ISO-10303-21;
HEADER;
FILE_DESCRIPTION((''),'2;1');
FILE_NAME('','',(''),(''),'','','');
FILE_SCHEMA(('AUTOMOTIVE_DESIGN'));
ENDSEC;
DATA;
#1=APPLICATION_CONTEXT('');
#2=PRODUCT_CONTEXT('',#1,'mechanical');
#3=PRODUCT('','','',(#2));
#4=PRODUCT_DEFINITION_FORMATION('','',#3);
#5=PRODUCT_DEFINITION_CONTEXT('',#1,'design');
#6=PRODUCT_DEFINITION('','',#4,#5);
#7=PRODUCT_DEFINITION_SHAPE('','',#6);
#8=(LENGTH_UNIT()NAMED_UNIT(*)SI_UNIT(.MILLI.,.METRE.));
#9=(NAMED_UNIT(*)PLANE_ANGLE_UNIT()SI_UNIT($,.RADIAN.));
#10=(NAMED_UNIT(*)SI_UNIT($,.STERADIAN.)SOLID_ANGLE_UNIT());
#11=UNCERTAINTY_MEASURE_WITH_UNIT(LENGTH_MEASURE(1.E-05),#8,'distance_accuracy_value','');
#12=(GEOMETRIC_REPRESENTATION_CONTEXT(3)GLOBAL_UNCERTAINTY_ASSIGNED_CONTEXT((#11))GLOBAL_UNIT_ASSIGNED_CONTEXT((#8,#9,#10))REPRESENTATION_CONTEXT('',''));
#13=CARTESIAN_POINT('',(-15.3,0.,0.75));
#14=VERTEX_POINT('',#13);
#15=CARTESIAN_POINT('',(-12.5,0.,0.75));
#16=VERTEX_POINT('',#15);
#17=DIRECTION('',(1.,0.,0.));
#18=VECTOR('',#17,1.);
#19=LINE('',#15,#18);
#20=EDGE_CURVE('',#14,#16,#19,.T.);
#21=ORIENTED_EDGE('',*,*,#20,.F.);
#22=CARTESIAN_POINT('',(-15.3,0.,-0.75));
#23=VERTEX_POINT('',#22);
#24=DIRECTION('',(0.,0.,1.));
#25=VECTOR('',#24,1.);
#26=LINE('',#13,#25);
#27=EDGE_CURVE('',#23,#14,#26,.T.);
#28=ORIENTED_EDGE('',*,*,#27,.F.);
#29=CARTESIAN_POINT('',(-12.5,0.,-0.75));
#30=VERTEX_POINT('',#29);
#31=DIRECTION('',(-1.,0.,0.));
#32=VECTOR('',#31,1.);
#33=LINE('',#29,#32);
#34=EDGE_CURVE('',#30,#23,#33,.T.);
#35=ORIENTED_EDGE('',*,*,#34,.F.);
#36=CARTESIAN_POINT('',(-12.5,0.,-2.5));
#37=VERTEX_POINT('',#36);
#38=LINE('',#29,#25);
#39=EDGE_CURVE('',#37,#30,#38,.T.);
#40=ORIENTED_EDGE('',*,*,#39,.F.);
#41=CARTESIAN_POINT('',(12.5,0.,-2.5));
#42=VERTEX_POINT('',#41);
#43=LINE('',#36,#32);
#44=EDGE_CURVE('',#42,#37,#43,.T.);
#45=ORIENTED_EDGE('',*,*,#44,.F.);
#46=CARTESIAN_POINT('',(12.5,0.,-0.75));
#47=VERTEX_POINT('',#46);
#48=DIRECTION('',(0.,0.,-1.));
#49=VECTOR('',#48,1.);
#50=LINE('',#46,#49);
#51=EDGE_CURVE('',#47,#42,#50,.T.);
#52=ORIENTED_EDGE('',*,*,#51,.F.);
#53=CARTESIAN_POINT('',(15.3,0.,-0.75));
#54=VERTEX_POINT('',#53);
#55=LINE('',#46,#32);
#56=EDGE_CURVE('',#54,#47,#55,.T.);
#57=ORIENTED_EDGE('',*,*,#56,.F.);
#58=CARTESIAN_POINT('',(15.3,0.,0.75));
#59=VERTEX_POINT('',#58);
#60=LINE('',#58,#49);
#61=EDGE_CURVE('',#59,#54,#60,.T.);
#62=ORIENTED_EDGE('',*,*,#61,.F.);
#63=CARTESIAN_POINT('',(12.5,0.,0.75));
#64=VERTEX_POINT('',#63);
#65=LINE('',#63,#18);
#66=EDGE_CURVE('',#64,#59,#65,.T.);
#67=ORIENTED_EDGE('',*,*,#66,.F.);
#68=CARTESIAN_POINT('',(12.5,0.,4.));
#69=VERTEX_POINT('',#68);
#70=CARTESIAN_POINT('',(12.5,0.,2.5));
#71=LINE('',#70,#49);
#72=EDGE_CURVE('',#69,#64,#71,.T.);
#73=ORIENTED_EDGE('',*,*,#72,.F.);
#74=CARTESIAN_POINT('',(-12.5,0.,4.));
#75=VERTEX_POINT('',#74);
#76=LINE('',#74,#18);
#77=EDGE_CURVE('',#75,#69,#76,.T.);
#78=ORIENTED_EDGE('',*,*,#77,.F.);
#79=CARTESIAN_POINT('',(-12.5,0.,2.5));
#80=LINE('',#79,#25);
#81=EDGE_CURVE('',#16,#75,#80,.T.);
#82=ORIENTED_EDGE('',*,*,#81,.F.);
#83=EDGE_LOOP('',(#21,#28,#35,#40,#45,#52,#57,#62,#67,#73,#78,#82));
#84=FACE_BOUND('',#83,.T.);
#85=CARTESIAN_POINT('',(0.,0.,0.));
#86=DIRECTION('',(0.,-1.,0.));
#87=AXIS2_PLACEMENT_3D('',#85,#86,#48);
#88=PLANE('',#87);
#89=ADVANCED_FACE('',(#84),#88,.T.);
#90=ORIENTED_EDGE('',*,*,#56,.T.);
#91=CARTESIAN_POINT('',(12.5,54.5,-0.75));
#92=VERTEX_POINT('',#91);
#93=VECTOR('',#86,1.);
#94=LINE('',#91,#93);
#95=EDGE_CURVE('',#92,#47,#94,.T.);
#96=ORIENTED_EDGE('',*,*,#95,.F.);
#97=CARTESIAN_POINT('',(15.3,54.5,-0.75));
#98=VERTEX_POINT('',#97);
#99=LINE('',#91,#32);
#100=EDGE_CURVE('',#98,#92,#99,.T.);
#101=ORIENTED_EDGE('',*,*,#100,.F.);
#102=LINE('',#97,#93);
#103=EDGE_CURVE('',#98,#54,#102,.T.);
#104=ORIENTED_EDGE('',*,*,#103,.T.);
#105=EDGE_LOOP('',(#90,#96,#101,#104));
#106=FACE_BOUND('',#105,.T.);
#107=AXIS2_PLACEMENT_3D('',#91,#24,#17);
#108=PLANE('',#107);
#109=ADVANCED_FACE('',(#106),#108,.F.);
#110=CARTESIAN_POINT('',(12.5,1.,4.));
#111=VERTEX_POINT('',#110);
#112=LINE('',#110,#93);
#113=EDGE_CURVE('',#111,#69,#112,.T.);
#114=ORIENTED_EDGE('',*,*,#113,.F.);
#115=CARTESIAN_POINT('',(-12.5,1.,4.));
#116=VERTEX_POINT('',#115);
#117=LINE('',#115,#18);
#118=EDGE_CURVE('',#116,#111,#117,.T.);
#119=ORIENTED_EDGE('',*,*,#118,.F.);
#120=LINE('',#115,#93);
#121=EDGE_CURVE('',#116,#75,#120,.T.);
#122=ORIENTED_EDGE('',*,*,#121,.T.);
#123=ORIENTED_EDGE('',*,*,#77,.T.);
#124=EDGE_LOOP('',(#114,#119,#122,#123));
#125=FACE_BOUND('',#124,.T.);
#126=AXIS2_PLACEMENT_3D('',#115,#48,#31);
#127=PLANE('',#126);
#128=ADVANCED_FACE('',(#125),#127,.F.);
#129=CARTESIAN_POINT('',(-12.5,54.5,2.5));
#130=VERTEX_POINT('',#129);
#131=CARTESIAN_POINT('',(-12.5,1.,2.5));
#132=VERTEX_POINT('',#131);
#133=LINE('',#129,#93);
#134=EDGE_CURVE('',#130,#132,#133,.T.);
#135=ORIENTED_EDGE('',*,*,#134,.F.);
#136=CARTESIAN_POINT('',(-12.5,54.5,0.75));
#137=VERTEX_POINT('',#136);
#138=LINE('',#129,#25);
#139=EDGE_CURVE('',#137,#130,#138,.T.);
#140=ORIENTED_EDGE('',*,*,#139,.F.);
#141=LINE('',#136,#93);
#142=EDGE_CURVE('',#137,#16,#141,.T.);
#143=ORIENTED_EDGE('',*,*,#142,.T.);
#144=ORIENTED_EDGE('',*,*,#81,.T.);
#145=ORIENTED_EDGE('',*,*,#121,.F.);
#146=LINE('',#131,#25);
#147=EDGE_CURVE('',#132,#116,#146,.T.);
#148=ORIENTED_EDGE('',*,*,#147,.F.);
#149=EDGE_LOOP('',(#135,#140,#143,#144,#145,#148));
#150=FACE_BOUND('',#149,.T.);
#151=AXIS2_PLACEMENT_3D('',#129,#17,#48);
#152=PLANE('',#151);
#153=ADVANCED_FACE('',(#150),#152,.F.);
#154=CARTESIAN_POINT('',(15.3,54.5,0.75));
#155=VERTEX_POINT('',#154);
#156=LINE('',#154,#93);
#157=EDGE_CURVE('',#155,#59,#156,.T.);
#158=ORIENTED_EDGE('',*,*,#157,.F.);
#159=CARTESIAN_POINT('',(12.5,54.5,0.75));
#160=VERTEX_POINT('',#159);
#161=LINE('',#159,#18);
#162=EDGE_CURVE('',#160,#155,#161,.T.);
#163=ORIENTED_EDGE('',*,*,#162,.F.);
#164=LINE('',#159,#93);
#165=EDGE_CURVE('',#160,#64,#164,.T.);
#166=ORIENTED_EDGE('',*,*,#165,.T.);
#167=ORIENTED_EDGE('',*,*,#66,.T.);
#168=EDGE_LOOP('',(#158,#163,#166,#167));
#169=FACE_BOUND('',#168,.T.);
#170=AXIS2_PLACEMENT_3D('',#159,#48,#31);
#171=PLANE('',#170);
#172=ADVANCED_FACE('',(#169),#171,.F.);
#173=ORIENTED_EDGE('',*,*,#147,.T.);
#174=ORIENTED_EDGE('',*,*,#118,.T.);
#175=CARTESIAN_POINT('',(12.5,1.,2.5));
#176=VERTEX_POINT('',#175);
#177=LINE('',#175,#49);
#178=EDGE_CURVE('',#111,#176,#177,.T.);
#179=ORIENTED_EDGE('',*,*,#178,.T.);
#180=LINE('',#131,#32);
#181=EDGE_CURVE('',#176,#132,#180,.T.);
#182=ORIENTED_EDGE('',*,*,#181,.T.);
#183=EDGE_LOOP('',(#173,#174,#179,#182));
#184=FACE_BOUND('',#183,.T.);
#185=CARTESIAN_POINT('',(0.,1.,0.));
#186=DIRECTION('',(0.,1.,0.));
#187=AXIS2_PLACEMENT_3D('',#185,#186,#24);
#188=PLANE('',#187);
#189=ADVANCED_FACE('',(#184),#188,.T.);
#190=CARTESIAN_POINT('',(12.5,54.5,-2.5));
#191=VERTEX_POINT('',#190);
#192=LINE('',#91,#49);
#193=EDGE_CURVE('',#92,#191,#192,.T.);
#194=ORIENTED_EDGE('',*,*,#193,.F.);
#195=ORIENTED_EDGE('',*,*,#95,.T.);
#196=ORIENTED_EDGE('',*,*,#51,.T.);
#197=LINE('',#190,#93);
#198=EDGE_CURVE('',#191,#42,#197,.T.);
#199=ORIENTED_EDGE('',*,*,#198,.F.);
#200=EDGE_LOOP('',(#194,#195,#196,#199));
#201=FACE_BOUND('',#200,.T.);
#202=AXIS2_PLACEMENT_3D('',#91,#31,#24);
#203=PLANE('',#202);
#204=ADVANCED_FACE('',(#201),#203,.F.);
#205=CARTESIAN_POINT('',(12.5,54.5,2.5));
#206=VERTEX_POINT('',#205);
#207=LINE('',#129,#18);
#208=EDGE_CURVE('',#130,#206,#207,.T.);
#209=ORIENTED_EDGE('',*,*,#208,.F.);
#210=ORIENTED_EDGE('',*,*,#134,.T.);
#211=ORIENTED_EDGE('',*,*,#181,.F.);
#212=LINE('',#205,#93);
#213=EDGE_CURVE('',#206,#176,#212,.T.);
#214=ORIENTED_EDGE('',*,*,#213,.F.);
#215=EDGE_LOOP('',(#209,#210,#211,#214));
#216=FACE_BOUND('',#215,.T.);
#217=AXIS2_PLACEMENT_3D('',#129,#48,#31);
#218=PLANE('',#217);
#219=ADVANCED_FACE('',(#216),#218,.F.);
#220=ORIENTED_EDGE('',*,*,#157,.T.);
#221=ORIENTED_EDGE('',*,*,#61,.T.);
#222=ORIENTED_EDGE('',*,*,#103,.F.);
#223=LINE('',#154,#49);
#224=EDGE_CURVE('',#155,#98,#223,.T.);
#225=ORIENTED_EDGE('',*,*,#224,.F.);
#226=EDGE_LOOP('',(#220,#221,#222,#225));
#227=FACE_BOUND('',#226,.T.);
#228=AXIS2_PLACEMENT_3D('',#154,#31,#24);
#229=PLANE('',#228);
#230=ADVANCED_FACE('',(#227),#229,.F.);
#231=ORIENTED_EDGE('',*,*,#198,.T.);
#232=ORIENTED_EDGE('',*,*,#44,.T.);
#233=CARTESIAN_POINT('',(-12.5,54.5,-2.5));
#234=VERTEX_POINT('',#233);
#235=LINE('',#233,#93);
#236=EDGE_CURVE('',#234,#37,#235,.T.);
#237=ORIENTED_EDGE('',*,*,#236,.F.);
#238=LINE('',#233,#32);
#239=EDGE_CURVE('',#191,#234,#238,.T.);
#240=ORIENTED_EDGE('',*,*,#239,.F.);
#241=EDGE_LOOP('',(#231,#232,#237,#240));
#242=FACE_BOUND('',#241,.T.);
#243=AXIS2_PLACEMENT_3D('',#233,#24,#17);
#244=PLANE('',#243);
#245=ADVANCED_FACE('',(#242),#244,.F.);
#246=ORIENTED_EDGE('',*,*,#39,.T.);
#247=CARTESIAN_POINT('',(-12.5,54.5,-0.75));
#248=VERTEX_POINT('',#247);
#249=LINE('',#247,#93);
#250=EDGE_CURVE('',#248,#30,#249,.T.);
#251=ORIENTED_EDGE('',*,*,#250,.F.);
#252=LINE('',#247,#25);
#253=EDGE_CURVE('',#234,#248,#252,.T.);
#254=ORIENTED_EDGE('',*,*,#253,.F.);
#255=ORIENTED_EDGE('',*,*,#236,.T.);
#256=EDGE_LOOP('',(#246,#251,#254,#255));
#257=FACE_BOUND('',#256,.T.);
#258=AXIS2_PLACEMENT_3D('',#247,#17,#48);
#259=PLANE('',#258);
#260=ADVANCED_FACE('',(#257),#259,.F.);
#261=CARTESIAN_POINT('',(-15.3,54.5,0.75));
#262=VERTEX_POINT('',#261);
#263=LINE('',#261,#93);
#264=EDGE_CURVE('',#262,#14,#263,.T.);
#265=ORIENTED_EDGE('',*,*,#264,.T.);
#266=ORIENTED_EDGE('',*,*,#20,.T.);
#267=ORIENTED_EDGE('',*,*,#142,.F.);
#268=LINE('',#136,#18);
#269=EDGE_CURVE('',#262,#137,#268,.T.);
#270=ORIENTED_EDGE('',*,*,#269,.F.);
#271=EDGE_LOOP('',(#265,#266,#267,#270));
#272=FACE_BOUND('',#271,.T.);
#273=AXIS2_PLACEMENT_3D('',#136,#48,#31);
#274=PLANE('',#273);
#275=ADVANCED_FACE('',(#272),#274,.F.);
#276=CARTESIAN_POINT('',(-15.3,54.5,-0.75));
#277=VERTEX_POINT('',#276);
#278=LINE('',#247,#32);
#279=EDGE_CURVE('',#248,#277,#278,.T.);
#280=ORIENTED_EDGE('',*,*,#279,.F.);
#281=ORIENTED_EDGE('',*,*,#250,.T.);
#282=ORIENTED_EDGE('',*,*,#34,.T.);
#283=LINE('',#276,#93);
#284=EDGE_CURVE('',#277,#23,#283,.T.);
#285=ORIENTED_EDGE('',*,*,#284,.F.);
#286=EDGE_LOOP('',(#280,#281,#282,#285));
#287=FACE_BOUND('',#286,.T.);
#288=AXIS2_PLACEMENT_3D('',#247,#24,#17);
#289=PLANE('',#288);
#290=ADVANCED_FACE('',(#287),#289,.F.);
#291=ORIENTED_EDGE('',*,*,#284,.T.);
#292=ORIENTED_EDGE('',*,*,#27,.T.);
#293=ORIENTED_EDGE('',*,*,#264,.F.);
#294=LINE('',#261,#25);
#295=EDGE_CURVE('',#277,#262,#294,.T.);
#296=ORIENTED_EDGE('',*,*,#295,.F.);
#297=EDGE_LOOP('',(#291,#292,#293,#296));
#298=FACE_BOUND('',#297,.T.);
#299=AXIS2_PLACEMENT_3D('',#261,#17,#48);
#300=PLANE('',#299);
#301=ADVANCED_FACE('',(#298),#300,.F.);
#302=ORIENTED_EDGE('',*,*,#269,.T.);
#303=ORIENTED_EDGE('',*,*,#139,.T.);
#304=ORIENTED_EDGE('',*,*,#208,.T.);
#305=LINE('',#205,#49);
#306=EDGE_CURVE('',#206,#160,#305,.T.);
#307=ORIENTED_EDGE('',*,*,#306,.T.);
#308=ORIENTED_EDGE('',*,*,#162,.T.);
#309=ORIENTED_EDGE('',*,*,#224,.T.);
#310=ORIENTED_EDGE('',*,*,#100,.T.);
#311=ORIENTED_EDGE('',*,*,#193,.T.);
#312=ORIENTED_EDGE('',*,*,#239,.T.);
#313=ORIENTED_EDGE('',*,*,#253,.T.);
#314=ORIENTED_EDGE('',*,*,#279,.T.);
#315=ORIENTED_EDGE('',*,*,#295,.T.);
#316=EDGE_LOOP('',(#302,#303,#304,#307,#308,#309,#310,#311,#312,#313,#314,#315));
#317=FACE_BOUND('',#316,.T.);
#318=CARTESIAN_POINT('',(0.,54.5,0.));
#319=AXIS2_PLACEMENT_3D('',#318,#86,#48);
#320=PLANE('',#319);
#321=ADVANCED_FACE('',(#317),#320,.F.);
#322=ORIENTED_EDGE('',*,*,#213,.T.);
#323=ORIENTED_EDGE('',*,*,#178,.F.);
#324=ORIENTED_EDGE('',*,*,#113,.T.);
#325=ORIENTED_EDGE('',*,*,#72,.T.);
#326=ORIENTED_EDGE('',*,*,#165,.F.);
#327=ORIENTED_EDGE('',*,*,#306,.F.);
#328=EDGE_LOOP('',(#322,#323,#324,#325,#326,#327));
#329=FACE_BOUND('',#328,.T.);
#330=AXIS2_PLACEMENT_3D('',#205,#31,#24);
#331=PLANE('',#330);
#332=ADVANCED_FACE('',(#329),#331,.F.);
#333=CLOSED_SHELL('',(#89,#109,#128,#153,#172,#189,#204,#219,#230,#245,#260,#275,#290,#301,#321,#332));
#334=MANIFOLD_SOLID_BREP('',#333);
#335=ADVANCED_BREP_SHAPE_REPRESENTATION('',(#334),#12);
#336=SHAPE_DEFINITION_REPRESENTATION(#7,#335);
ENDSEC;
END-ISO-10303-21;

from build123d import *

# Parameters (mm, degrees)
BOSS_EXTRUDE1_DEPTH = 54.5
SKETCH2_W           = 25
SKETCH2_H           = 1.5
BOSS_EXTRUDE2_DEPTH = 1


with BuildPart() as part:
    # Sketch1 → Boss-Extrude1 (new body)
    with BuildSketch(Plane(origin=(0, 0, 0), x_dir=(1, 0, 0), z_dir=(0, 1, 0))):
        Polygon((-12.5, 0.75), (-12.5, 2.5), (12.5, 2.5), (12.5, 0.75), (15.3, 0.75), (15.3, -0.75), (12.5, -0.75), (12.5, -2.5), (-12.5, -2.5), (-12.5, -0.75), (-15.3, -0.75), (-15.3, 0.75), align=None)
    extrude(amount=BOSS_EXTRUDE1_DEPTH)

    # Sketch2 → Boss-Extrude2 (add)
    with BuildSketch(Plane(origin=(0, 0, 0), x_dir=(1, 0, 0), z_dir=(0, 1, 0))):
        with Locations((0, -3.25)):
            Rectangle(SKETCH2_W, SKETCH2_H)
    extrude(amount=BOSS_EXTRUDE2_DEPTH)


solid = part.part
